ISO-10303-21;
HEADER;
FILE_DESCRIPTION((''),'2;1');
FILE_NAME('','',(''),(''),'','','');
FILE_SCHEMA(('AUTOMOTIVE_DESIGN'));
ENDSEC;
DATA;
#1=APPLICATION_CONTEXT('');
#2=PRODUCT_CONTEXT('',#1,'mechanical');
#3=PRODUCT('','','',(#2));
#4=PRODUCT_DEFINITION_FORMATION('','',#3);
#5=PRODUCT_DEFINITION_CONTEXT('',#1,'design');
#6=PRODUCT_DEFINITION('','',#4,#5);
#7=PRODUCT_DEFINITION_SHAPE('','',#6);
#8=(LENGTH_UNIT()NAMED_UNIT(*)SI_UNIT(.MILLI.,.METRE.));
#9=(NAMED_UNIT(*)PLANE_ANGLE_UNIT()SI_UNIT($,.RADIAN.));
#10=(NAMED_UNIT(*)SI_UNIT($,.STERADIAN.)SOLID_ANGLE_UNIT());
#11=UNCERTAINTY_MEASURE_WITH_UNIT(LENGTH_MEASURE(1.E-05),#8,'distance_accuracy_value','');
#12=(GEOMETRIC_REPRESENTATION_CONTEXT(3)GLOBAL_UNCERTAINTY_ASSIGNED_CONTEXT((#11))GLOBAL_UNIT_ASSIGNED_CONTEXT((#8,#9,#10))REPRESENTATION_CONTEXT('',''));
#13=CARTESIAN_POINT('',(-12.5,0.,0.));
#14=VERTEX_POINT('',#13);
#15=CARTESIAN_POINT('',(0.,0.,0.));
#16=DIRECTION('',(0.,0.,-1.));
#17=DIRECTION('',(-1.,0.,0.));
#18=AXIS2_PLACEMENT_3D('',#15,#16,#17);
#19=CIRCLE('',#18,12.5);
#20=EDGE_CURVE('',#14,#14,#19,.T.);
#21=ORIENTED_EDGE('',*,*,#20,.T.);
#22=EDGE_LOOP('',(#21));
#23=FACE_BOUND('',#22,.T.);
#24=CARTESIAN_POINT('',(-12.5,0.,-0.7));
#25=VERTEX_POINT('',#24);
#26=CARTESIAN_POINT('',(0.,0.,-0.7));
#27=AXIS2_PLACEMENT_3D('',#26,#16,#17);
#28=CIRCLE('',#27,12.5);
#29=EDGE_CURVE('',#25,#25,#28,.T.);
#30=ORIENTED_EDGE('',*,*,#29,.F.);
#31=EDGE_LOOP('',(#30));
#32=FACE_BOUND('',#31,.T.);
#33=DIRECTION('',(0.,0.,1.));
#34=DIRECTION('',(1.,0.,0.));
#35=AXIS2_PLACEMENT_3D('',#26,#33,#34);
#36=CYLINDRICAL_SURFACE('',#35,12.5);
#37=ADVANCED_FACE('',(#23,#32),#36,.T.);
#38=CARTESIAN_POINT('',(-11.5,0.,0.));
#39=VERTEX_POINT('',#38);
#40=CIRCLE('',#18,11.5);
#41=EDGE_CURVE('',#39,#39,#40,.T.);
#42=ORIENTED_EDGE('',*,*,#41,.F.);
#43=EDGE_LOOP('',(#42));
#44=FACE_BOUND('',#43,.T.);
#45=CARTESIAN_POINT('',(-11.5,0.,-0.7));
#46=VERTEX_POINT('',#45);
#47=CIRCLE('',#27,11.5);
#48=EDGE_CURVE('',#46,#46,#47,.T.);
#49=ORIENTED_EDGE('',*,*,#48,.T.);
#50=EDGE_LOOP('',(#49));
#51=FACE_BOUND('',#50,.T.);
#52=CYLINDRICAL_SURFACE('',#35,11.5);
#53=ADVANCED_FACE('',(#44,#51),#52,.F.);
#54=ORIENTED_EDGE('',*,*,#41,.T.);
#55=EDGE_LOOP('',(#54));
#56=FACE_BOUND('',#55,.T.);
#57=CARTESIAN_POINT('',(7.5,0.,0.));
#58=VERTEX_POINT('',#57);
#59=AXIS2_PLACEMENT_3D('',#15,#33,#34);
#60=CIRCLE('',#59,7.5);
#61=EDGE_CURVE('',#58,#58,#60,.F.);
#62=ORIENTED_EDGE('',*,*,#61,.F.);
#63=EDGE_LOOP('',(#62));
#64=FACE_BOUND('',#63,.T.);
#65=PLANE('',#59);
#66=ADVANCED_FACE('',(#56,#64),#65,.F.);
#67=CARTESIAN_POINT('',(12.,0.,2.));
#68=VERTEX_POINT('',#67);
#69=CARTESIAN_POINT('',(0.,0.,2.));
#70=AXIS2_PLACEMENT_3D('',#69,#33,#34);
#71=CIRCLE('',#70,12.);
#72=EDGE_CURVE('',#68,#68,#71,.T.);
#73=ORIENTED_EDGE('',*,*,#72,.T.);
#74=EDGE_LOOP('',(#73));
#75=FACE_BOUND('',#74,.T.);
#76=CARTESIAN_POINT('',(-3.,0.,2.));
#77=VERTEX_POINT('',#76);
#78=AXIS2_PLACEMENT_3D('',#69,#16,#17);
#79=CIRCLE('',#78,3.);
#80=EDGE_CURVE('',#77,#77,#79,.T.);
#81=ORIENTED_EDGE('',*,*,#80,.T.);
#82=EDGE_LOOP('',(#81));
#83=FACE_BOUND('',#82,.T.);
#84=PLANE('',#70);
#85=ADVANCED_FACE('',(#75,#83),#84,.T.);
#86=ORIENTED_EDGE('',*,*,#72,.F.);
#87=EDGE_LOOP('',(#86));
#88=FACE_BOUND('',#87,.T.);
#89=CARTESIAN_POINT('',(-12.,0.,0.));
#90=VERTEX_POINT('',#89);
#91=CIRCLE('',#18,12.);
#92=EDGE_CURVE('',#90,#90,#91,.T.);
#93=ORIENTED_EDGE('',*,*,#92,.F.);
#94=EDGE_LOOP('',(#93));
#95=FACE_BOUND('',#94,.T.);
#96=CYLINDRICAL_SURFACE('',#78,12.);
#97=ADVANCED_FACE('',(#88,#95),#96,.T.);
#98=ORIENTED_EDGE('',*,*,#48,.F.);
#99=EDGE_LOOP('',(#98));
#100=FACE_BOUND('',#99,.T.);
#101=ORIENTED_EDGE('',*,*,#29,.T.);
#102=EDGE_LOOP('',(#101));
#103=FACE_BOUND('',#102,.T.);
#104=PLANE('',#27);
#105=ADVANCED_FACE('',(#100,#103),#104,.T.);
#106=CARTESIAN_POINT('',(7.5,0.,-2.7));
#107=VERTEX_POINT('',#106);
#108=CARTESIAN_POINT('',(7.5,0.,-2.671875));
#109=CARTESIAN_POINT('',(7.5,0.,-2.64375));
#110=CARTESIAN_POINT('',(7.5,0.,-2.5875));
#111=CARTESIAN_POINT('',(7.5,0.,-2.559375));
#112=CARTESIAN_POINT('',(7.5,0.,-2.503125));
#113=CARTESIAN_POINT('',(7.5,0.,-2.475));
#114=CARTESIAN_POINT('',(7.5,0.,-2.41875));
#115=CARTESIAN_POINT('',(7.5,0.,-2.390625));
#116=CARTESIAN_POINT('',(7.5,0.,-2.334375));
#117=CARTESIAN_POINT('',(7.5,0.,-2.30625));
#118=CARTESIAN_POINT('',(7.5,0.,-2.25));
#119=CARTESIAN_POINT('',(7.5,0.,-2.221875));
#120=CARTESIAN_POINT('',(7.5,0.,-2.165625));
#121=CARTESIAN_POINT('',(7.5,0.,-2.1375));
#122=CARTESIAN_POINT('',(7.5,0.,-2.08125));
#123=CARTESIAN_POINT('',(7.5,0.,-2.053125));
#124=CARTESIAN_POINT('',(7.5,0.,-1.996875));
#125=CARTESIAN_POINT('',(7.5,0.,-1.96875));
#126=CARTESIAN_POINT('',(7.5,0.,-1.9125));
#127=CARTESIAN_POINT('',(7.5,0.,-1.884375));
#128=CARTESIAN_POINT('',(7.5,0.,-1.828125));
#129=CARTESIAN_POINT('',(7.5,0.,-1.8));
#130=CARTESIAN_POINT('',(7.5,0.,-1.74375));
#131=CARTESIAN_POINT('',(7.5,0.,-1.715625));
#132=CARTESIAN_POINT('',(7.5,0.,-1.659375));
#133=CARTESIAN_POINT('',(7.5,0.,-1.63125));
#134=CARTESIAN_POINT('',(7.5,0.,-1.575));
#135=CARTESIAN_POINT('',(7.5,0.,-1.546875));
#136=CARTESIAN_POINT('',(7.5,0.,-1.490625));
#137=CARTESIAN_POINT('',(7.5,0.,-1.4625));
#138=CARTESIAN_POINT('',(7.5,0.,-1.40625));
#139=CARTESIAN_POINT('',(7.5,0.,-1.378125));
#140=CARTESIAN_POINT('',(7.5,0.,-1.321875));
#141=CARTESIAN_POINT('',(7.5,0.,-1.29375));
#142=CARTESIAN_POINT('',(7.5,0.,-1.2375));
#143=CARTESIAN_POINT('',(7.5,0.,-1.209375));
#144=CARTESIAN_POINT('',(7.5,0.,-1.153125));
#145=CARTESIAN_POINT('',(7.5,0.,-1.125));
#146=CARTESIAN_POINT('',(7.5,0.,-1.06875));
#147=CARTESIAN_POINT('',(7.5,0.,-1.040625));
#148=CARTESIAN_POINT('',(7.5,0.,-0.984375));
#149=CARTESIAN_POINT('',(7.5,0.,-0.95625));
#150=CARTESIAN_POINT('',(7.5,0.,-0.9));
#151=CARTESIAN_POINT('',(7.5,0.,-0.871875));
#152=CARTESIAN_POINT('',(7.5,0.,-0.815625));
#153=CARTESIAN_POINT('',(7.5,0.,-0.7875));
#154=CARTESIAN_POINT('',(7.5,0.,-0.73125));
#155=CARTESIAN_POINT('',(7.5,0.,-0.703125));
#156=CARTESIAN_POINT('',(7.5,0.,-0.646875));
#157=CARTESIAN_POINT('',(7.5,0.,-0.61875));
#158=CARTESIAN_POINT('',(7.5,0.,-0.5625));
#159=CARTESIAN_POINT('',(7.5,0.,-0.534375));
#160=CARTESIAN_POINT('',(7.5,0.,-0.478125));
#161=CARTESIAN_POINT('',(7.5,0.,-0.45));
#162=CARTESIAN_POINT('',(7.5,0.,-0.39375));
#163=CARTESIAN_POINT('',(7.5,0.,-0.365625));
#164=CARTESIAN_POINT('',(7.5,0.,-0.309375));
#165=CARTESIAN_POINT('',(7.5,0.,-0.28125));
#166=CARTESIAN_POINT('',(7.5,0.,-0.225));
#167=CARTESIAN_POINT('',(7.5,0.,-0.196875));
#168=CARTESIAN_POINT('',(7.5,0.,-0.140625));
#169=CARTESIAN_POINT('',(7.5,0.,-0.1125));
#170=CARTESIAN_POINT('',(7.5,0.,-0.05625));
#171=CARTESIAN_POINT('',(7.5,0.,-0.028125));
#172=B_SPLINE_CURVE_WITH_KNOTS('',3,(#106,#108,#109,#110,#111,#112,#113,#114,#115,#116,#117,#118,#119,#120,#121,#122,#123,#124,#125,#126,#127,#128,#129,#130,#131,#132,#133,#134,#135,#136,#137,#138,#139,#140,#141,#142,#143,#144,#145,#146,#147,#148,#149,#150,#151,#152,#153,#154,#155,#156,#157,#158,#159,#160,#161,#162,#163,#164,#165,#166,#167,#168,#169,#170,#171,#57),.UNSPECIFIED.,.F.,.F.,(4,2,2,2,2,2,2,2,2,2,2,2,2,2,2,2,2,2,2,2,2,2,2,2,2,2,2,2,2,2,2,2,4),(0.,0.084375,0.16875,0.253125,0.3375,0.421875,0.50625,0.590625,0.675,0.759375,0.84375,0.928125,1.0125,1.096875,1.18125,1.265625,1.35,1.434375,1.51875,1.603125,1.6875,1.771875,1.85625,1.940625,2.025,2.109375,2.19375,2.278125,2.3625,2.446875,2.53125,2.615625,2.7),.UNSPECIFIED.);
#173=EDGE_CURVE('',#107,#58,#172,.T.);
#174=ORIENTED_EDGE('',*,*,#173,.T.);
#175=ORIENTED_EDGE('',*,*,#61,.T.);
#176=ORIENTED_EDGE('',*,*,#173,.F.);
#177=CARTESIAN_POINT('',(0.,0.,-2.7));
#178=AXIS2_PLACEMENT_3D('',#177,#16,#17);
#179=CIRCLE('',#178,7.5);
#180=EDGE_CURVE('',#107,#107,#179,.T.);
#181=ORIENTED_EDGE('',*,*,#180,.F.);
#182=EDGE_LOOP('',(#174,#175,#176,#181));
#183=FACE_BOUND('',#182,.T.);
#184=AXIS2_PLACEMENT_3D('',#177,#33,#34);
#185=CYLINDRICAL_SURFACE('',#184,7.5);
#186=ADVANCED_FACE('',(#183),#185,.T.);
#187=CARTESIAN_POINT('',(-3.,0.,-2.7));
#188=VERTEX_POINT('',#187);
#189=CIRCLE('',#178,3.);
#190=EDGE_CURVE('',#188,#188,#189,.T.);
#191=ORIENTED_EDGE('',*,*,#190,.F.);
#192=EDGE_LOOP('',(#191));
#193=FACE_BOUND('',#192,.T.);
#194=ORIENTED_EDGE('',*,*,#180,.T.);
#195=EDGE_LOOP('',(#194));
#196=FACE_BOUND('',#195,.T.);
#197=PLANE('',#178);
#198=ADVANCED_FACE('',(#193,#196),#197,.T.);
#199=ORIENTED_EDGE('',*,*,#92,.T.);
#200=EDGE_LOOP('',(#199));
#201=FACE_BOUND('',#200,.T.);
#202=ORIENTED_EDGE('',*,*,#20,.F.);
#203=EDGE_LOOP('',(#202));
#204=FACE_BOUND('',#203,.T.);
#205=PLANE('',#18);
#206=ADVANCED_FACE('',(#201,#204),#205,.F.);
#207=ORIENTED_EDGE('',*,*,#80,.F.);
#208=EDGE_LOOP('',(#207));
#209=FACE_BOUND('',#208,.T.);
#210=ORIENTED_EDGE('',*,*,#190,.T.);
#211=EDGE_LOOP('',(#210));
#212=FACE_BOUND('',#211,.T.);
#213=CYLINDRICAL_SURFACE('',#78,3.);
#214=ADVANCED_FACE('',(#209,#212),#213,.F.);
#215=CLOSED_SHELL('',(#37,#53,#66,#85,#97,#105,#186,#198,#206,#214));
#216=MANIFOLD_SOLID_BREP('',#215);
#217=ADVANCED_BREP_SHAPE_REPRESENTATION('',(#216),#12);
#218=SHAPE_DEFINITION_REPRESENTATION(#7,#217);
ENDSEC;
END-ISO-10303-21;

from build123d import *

# Parameters (mm, degrees)
SKETCH1_R           = 12
BOSS_EXTRUDE1_DEPTH = 2
SKETCH2_R           = 12.5
SKETCH2_R_2         = 11.5
BOSS_EXTRUDE2_DEPTH = 0.7
SKETCH3_R           = 3
CUT_EXTRUDE1_DEPTH  = 18.790446875
SKETCH4_R           = 7.5
BOSS_EXTRUDE4_DEPTH = 2.7
SKETCH5_R           = 3
CUT_EXTRUDE3_DEPTH  = 19.291801442


with BuildPart() as part:
    # Sketch1 → Boss-Extrude1 (new body)
    with BuildSketch(Plane.XY):
        Circle(SKETCH1_R)
    extrude(amount=BOSS_EXTRUDE1_DEPTH)

    # Sketch2 → Boss-Extrude2 (add)
    with BuildSketch(Plane(origin=(0, 0, 0), x_dir=(-1, 0, 0), z_dir=(0, 0, -1))):
        Circle(SKETCH2_R)
        Circle(SKETCH2_R_2, mode=Mode.SUBTRACT)
    extrude(amount=BOSS_EXTRUDE2_DEPTH)

    # Sketch3 → Cut-Extrude1 (cut, through all)
    with BuildSketch(Plane(origin=(0, 0, 0), x_dir=(-1, 0, 0), z_dir=(0, 0, -1))):
        Circle(SKETCH3_R)
    extrude(amount=-CUT_EXTRUDE1_DEPTH, mode=Mode.SUBTRACT)

    # Sketch4 → Boss-Extrude4 (add)
    with BuildSketch(Plane(origin=(0, 0, 0), x_dir=(-1, 0, 0), z_dir=(0, 0, -1))):
        with Locations(Location((0, 0, 0), (0, 0, 180))):
            Circle(SKETCH4_R)
    extrude(amount=BOSS_EXTRUDE4_DEPTH)

    # Sketch5 → Cut-Extrude3 (cut, through all)
    with BuildSketch(Plane(origin=(0, 0, -2.7), x_dir=(-1, 0, 0), z_dir=(0, 0, -1))):
        Circle(SKETCH5_R)
    extrude(amount=-CUT_EXTRUDE3_DEPTH, mode=Mode.SUBTRACT)


solid = part.part
